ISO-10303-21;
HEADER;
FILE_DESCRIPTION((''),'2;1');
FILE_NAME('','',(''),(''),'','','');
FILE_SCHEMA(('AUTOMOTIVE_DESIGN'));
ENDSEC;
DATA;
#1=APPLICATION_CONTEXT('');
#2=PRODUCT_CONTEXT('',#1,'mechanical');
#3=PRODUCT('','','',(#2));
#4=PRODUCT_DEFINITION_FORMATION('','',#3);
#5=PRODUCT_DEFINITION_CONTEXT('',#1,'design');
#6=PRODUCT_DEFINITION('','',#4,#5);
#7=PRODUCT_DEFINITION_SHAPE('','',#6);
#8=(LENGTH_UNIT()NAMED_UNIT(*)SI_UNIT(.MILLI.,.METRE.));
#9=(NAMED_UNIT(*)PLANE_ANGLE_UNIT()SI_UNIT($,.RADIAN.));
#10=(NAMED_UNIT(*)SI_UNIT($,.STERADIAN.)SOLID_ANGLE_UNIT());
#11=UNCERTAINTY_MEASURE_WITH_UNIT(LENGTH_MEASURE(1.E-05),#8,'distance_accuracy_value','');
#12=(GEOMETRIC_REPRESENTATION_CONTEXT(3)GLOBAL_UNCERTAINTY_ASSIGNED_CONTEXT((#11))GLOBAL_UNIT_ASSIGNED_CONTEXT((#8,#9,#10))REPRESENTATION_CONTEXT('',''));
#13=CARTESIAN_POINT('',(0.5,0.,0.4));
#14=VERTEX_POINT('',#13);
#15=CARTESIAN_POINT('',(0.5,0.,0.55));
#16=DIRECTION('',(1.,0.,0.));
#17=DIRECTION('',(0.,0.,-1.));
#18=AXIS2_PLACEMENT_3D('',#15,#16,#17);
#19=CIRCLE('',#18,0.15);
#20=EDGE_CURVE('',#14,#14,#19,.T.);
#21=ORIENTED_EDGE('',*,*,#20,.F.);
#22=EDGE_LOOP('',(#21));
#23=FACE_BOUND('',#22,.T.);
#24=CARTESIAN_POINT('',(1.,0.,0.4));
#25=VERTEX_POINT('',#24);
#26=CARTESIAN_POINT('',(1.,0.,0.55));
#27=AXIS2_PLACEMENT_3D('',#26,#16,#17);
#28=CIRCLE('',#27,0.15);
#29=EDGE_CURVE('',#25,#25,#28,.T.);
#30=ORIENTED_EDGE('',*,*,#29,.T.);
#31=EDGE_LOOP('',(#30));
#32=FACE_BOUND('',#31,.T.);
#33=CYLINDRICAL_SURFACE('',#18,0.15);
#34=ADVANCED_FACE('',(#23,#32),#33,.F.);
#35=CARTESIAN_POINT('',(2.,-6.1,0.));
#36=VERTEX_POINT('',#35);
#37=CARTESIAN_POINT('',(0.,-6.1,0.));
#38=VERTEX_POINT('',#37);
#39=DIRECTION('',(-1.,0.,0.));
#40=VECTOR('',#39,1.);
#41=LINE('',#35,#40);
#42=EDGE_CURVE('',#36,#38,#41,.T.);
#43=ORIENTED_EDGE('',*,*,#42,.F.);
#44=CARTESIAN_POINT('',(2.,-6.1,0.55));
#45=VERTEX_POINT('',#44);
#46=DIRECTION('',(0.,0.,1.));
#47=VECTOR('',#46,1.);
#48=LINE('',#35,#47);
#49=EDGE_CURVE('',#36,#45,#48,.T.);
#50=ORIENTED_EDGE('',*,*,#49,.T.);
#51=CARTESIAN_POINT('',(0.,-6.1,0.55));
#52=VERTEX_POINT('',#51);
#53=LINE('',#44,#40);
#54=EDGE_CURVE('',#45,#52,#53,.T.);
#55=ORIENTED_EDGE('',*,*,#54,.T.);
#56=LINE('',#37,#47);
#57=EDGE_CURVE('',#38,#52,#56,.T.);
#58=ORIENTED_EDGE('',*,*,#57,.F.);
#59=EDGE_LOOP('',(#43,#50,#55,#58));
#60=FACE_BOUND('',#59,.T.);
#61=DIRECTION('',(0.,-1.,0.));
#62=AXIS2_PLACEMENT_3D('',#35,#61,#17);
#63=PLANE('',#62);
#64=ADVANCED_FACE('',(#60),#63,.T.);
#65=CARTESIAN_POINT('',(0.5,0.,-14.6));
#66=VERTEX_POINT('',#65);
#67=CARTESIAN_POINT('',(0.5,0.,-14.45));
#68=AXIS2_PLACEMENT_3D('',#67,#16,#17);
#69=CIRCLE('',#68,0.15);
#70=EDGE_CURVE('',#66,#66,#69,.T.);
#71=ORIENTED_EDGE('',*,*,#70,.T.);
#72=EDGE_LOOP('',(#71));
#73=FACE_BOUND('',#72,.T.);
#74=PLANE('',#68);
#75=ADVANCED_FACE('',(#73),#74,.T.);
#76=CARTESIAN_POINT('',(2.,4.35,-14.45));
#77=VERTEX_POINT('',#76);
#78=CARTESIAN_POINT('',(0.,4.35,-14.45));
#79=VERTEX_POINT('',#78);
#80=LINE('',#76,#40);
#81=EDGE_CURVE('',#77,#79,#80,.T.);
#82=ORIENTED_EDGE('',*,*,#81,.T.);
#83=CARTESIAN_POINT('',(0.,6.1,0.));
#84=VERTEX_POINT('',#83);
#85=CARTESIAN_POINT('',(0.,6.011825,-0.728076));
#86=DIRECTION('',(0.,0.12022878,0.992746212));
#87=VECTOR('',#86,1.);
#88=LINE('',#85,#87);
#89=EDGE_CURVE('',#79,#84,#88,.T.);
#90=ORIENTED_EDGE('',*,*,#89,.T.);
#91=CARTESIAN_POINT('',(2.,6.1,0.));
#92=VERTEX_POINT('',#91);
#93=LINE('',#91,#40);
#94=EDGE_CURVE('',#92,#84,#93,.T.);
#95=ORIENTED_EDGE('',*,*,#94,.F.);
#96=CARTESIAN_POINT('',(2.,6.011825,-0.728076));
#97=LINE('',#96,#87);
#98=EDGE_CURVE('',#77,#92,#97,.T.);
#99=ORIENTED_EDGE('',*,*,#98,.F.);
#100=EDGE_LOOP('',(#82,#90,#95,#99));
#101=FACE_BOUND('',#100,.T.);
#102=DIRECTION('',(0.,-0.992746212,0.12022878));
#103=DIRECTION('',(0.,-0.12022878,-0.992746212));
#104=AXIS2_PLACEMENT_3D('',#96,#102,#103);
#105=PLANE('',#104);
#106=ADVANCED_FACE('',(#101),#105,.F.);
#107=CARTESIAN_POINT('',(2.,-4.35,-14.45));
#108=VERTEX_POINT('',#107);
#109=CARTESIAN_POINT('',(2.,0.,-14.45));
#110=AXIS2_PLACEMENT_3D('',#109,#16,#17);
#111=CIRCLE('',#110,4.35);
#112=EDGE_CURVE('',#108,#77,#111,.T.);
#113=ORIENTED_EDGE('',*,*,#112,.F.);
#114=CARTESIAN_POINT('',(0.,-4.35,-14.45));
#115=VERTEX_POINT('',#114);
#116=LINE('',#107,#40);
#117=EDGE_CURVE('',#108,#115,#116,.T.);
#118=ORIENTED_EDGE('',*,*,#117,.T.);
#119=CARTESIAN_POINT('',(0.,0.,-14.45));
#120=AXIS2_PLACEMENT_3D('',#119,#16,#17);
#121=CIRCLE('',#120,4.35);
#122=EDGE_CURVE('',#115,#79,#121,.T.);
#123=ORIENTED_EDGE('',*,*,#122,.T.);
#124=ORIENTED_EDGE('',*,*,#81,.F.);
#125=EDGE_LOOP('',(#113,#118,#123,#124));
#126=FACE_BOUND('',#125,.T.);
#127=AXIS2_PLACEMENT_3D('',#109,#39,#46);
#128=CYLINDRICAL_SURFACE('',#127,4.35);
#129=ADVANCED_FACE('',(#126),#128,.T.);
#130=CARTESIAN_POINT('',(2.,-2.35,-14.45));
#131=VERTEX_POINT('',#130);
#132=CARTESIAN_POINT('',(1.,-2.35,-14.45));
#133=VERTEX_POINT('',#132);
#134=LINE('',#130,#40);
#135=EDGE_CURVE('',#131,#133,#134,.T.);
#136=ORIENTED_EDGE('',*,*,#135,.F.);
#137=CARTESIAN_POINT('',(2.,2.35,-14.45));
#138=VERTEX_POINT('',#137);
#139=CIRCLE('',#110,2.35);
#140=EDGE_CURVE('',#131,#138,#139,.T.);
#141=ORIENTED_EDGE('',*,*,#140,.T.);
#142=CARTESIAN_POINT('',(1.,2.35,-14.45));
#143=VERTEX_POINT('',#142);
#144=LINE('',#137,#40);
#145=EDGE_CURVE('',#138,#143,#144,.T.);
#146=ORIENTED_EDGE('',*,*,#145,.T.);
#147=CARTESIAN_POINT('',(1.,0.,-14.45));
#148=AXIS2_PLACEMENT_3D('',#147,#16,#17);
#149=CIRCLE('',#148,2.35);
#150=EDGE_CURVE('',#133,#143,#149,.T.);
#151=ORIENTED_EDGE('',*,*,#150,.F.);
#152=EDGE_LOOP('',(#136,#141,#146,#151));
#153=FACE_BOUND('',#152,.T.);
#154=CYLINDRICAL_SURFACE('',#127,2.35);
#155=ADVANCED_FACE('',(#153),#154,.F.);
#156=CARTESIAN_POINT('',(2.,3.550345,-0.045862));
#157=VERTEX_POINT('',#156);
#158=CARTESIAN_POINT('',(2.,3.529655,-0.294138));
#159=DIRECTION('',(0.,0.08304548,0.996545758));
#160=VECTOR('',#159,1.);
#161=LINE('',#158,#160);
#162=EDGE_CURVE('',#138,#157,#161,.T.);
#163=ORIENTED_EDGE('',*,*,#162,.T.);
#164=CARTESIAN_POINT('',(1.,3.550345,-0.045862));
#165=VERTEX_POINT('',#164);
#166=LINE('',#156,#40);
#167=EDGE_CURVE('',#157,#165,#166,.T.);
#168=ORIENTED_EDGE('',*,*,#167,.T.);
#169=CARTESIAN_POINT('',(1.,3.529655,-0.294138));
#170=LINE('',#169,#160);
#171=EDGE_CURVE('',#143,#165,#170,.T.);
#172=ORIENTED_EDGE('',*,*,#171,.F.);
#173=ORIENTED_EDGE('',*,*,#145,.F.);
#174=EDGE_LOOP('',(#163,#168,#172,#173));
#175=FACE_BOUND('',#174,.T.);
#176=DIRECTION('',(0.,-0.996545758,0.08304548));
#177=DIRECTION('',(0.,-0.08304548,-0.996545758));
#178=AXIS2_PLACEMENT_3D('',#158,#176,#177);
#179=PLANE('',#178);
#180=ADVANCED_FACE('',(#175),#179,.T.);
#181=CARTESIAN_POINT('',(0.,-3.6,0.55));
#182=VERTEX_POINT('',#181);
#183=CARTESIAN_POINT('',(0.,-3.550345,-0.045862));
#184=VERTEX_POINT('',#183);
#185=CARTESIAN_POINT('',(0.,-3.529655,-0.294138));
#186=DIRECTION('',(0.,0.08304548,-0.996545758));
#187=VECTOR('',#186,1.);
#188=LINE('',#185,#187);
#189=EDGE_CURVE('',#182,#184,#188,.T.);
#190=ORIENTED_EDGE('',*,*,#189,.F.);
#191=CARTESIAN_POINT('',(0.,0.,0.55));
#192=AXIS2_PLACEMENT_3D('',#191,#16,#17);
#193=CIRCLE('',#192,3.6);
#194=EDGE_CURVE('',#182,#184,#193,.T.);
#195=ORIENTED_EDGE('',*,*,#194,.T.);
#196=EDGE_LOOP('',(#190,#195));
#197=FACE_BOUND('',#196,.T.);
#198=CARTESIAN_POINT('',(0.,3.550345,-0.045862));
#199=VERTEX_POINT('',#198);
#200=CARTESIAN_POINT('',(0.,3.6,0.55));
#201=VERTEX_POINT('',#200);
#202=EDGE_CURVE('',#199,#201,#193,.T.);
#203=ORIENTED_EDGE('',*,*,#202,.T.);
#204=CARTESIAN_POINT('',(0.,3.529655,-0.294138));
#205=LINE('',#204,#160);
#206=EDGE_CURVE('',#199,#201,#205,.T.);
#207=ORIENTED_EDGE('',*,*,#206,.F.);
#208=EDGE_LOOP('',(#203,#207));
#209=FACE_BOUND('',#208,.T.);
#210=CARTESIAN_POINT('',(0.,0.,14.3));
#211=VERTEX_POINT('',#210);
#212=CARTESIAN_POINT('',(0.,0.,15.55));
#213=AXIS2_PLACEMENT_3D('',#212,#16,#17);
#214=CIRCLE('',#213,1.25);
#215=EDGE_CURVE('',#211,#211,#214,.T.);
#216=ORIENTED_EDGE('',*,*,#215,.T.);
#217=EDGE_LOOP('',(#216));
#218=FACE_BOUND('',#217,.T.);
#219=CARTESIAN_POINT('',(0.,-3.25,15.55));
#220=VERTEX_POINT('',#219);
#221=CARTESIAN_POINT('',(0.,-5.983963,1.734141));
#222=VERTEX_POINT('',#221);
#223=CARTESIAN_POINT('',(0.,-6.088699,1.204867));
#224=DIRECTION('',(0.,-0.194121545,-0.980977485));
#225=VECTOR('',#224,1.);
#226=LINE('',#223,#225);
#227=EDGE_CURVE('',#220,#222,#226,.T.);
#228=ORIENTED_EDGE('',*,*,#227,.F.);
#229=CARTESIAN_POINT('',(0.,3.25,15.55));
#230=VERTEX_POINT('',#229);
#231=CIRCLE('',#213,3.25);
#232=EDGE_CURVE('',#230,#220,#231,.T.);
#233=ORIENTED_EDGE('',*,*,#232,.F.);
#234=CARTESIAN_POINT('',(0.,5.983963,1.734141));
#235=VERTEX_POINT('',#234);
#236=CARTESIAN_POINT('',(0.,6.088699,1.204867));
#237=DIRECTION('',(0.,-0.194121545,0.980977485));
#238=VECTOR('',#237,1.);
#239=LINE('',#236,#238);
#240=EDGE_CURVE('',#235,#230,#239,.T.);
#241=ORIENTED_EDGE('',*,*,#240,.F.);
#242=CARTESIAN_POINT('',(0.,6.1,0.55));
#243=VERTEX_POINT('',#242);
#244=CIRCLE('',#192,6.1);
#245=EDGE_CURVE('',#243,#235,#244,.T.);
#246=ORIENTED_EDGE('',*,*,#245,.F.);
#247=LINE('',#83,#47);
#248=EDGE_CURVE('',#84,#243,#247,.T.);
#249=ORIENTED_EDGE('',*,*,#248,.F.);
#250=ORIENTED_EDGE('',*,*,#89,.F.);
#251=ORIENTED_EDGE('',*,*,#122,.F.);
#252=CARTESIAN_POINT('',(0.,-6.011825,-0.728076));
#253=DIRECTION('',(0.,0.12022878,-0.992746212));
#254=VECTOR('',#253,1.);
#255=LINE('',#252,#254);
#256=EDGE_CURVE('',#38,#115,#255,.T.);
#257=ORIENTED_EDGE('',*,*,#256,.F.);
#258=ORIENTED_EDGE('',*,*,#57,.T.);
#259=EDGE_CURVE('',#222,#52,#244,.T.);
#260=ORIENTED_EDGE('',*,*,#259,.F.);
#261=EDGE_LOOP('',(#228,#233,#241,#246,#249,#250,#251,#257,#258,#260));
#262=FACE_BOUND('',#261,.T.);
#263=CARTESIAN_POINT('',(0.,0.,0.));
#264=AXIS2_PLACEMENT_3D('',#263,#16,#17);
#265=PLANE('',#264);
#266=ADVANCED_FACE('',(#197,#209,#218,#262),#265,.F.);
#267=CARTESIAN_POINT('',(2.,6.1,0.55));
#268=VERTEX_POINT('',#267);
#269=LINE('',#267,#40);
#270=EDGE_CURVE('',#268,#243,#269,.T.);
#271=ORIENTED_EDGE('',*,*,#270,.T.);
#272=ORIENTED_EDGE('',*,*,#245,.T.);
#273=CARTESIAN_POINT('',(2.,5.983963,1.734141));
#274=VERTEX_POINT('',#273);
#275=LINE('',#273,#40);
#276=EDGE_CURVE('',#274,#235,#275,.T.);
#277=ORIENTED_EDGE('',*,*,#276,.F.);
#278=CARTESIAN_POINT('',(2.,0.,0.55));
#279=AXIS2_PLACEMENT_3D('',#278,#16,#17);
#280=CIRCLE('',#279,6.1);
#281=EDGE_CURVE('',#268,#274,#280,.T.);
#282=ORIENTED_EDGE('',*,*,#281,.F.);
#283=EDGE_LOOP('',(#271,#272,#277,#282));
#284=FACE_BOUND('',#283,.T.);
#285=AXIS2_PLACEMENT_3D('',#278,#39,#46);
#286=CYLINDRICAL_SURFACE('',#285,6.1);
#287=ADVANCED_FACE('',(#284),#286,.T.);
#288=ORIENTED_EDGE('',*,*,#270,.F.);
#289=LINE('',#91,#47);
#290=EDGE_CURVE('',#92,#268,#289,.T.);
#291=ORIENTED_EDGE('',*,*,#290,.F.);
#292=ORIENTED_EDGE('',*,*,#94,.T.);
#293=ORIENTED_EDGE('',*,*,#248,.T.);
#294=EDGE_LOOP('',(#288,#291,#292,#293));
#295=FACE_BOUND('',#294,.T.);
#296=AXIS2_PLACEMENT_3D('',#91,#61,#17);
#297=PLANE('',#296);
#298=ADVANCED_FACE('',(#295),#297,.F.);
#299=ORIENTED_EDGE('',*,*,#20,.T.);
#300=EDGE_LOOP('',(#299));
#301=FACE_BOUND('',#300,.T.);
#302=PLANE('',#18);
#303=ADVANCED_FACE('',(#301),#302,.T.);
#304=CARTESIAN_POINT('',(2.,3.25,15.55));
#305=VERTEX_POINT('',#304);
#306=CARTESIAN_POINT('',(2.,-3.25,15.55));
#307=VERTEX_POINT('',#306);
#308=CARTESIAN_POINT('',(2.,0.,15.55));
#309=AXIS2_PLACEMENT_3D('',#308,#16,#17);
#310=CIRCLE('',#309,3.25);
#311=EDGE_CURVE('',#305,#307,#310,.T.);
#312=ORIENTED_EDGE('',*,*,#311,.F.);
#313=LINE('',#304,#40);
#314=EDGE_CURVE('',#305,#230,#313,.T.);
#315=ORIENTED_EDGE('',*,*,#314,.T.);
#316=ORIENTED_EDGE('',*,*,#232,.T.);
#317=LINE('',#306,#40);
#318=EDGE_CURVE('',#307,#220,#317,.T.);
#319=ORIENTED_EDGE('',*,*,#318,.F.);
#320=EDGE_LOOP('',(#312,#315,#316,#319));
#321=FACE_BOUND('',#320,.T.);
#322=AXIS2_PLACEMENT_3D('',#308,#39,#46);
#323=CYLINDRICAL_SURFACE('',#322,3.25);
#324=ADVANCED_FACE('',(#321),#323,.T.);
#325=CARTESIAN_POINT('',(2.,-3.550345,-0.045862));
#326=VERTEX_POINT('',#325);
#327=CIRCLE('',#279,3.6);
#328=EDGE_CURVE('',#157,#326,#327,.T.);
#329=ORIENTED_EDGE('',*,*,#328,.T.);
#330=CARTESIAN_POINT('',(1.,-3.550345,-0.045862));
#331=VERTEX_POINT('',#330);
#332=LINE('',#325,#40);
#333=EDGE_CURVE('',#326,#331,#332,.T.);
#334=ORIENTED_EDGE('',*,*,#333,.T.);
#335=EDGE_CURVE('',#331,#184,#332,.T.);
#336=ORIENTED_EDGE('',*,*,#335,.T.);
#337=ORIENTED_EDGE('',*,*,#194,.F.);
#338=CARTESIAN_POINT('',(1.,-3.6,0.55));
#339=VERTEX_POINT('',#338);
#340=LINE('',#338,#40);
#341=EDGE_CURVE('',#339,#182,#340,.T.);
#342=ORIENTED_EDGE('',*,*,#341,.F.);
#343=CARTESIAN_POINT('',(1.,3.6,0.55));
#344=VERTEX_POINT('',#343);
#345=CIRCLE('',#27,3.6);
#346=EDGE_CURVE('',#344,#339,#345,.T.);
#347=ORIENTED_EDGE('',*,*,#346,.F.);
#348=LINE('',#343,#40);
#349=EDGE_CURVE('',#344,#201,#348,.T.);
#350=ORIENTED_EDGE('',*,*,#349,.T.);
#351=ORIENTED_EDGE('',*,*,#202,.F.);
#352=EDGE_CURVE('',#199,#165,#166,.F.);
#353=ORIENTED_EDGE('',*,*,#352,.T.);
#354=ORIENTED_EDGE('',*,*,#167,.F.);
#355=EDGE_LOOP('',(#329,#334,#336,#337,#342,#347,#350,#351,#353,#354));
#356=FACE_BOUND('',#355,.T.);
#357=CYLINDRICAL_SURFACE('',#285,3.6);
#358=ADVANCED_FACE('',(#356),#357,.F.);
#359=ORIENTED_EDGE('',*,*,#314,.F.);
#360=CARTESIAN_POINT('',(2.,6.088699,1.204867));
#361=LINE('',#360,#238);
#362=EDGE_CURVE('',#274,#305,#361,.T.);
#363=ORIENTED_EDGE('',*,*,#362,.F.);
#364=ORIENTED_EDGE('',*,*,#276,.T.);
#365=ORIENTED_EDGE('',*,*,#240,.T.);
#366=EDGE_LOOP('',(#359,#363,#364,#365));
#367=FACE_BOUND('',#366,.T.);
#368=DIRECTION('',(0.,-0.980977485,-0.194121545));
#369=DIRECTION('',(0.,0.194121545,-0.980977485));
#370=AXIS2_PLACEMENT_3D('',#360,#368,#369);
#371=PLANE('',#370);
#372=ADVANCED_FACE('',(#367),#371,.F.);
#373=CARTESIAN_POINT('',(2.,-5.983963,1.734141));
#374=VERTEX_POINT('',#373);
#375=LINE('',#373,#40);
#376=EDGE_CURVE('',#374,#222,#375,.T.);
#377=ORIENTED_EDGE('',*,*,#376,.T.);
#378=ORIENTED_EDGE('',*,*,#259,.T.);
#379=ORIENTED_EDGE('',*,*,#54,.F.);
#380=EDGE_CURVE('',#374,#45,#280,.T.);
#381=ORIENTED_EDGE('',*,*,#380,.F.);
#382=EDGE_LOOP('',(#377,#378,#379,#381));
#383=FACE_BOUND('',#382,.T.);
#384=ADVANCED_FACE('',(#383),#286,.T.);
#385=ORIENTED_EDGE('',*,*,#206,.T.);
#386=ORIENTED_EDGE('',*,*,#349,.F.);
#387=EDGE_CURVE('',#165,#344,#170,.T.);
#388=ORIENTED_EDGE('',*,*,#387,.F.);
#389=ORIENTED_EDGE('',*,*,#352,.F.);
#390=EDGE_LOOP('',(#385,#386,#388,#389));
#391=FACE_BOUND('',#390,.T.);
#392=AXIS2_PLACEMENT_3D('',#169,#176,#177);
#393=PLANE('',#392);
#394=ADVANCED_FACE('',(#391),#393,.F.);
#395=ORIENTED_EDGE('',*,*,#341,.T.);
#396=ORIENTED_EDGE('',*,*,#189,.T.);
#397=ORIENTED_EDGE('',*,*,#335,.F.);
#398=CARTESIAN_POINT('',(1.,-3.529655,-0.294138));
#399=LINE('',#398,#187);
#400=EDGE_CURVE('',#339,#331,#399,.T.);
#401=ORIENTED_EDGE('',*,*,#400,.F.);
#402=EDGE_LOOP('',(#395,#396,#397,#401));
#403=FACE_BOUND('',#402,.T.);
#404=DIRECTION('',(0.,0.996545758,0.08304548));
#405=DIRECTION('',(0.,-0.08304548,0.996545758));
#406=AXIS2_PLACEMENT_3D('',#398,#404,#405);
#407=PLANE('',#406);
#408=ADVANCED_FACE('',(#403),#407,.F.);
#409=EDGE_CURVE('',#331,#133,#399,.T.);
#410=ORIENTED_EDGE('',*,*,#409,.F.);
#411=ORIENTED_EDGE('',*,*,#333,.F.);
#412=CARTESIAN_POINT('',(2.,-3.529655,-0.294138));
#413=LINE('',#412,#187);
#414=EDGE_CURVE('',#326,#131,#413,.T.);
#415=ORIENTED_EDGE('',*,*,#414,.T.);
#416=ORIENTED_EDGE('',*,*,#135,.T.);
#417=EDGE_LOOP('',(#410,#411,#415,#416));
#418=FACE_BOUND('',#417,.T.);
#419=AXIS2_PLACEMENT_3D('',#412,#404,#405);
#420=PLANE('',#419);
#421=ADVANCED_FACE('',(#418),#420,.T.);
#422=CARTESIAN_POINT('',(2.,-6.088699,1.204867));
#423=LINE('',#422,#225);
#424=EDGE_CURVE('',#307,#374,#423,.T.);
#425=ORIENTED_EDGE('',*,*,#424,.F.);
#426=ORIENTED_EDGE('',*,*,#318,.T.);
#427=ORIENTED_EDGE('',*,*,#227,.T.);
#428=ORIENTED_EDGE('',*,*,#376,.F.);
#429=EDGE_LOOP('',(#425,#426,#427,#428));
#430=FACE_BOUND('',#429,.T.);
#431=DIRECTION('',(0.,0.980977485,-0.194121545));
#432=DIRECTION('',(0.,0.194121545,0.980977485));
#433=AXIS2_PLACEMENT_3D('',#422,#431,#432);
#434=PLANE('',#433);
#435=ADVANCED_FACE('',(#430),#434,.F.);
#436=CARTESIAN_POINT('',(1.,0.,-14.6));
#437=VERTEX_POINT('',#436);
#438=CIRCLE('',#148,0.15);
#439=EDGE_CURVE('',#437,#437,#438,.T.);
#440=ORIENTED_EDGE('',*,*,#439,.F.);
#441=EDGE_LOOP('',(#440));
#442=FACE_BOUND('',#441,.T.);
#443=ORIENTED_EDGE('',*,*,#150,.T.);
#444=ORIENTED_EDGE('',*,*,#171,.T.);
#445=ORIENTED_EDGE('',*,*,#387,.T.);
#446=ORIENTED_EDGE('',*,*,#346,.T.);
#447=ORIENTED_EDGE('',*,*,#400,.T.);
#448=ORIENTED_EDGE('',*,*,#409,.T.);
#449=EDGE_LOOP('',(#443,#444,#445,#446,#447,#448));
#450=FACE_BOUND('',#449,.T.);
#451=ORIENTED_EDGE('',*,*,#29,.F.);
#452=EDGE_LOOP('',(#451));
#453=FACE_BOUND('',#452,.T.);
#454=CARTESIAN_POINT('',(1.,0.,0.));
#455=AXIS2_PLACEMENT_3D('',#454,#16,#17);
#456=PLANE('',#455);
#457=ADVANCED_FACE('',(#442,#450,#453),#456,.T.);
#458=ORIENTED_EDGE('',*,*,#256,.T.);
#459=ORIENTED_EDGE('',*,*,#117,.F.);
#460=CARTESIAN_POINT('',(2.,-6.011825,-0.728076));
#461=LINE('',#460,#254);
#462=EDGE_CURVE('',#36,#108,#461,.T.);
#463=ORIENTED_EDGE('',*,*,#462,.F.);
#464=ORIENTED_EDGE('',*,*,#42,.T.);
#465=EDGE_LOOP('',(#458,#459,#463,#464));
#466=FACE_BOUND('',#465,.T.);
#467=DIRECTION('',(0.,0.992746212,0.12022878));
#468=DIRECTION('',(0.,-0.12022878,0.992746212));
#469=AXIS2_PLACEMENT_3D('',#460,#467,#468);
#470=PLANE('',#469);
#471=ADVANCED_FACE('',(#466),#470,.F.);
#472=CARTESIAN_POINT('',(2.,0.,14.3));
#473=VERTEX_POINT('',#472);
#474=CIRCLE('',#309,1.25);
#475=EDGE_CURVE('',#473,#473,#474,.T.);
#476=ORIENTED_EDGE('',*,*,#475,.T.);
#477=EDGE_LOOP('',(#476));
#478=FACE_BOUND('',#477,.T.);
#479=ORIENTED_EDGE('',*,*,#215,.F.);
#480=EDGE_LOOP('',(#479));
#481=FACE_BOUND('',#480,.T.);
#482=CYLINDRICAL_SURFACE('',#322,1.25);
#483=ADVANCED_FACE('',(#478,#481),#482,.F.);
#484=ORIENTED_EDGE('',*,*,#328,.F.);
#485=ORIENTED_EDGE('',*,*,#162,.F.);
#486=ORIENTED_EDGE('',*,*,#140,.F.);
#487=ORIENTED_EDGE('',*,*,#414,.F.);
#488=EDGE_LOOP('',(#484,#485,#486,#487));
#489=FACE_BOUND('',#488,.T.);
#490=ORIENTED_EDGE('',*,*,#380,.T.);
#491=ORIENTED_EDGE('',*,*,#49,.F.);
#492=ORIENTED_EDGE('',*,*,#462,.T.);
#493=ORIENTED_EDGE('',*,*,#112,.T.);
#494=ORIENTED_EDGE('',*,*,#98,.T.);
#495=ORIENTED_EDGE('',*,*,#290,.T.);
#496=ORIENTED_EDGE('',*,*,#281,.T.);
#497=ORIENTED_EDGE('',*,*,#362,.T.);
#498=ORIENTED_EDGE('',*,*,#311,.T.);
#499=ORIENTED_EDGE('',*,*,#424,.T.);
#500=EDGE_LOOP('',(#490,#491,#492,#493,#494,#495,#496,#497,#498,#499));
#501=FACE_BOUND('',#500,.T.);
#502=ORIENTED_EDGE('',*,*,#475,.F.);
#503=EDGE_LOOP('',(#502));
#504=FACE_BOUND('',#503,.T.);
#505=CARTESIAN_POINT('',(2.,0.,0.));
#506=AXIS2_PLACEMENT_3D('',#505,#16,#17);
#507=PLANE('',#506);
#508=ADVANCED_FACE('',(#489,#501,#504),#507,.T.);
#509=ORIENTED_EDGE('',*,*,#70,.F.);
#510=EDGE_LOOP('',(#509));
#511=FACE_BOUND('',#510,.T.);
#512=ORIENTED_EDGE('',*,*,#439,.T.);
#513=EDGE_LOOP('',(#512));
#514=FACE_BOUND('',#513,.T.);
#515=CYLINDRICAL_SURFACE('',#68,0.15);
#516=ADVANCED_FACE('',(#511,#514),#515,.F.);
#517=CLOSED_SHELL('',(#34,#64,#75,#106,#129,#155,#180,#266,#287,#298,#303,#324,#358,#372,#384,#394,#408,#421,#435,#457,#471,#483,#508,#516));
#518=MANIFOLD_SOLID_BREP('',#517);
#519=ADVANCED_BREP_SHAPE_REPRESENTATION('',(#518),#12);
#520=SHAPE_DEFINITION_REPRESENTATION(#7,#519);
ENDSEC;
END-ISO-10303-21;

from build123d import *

# Parameters (mm, degrees)
SKETCH2_R           = 1.25
BOSS_EXTRUDE1_DEPTH = 2
BOSS_EXTRUDE2_DEPTH = 1
SKETCH3_R           = 0.15
CUT_EXTRUDE1_DEPTH  = 0.5


with BuildPart() as part:
    # Sketch2 → Boss-Extrude1 (new body)
    with BuildSketch(Plane.YZ):
        with BuildLine():
            ThreePointArc((-4.35, -14.45), (-3.075914484, -17.525914513), (4.1e-08, -18.8))
            ThreePointArc((4.1e-08, -18.8), (3.075914513, -17.525914484), (4.35, -14.45))
            Line((4.35, -14.45), (6.1, 0))
            Line((6.1, 0), (6.1, 0.55))
            ThreePointArc((6.1, 0.55), (6.070921356, 1.144906627), (5.983962658, 1.734141424))
            Line((5.983962658, 1.734141424), (3.25, 15.55))
            ThreePointArc((3.25, 15.55), (2.298097039, 17.848097039), (0, 18.8))
            ThreePointArc((0, 18.8), (-2.298097039, 17.848097039), (-3.25, 15.55))
            Line((-3.25, 15.55), (-5.983962658, 1.734141424))
            ThreePointArc((-5.983962658, 1.734141424), (-6.070921356, 1.144906627), (-6.1, 0.55))
            Line((-6.1, 0.55), (-6.1, 0))
            Line((-6.1, 0), (-4.35, -14.45))
        make_face()
        with BuildLine():
            Line((3.550344828, -0.045862069), (2.35, -14.45))
            ThreePointArc((2.35, -14.45), (0, -16.8), (-2.35, -14.45))
            Line((-2.35, -14.45), (-3.550344828, -0.045862069))
            ThreePointArc((-3.550344828, -0.045862069), (-3.58756473, 0.251036273), (-3.6, 0.55))
            ThreePointArc((-3.6, 0.55), (0, 4.15), (3.6, 0.55))
            ThreePointArc((3.6, 0.55), (3.58756473, 0.251036273), (3.550344828, -0.045862069))
        make_face(mode=Mode.SUBTRACT)
        with Locations((0, 15.55)):
            Circle(SKETCH2_R, mode=Mode.SUBTRACT)
    extrude(amount=BOSS_EXTRUDE1_DEPTH)

    # Sketch2<3> → Boss-Extrude2 (add)
    with BuildSketch(Plane.YZ):
        with BuildLine():
            ThreePointArc((-2.35, -14.45), (0, -16.8), (2.35, -14.45))
            Line((2.35, -14.45), (3.550344828, -0.045862069))
            Line((3.550344828, -0.045862069), (3.6, 0.55))
            ThreePointArc((3.6, 0.55), (0, 4.15), (-3.6, 0.55))
            Line((-3.6, 0.55), (-3.550344828, -0.045862069))
            Line((-3.550344828, -0.045862069), (-2.35, -14.45))
        make_face()
    extrude(amount=BOSS_EXTRUDE2_DEPTH)

    # Sketch3 → Cut-Extrude1 (cut)
    with BuildSketch(Plane.YZ.offset(1)):
        with Locations((0, 0.55)):
            Circle(SKETCH3_R)
        with Locations((0, -14.45)):
            Circle(SKETCH3_R)
    extrude(amount=-CUT_EXTRUDE1_DEPTH, mode=Mode.SUBTRACT)


solid = part.part
